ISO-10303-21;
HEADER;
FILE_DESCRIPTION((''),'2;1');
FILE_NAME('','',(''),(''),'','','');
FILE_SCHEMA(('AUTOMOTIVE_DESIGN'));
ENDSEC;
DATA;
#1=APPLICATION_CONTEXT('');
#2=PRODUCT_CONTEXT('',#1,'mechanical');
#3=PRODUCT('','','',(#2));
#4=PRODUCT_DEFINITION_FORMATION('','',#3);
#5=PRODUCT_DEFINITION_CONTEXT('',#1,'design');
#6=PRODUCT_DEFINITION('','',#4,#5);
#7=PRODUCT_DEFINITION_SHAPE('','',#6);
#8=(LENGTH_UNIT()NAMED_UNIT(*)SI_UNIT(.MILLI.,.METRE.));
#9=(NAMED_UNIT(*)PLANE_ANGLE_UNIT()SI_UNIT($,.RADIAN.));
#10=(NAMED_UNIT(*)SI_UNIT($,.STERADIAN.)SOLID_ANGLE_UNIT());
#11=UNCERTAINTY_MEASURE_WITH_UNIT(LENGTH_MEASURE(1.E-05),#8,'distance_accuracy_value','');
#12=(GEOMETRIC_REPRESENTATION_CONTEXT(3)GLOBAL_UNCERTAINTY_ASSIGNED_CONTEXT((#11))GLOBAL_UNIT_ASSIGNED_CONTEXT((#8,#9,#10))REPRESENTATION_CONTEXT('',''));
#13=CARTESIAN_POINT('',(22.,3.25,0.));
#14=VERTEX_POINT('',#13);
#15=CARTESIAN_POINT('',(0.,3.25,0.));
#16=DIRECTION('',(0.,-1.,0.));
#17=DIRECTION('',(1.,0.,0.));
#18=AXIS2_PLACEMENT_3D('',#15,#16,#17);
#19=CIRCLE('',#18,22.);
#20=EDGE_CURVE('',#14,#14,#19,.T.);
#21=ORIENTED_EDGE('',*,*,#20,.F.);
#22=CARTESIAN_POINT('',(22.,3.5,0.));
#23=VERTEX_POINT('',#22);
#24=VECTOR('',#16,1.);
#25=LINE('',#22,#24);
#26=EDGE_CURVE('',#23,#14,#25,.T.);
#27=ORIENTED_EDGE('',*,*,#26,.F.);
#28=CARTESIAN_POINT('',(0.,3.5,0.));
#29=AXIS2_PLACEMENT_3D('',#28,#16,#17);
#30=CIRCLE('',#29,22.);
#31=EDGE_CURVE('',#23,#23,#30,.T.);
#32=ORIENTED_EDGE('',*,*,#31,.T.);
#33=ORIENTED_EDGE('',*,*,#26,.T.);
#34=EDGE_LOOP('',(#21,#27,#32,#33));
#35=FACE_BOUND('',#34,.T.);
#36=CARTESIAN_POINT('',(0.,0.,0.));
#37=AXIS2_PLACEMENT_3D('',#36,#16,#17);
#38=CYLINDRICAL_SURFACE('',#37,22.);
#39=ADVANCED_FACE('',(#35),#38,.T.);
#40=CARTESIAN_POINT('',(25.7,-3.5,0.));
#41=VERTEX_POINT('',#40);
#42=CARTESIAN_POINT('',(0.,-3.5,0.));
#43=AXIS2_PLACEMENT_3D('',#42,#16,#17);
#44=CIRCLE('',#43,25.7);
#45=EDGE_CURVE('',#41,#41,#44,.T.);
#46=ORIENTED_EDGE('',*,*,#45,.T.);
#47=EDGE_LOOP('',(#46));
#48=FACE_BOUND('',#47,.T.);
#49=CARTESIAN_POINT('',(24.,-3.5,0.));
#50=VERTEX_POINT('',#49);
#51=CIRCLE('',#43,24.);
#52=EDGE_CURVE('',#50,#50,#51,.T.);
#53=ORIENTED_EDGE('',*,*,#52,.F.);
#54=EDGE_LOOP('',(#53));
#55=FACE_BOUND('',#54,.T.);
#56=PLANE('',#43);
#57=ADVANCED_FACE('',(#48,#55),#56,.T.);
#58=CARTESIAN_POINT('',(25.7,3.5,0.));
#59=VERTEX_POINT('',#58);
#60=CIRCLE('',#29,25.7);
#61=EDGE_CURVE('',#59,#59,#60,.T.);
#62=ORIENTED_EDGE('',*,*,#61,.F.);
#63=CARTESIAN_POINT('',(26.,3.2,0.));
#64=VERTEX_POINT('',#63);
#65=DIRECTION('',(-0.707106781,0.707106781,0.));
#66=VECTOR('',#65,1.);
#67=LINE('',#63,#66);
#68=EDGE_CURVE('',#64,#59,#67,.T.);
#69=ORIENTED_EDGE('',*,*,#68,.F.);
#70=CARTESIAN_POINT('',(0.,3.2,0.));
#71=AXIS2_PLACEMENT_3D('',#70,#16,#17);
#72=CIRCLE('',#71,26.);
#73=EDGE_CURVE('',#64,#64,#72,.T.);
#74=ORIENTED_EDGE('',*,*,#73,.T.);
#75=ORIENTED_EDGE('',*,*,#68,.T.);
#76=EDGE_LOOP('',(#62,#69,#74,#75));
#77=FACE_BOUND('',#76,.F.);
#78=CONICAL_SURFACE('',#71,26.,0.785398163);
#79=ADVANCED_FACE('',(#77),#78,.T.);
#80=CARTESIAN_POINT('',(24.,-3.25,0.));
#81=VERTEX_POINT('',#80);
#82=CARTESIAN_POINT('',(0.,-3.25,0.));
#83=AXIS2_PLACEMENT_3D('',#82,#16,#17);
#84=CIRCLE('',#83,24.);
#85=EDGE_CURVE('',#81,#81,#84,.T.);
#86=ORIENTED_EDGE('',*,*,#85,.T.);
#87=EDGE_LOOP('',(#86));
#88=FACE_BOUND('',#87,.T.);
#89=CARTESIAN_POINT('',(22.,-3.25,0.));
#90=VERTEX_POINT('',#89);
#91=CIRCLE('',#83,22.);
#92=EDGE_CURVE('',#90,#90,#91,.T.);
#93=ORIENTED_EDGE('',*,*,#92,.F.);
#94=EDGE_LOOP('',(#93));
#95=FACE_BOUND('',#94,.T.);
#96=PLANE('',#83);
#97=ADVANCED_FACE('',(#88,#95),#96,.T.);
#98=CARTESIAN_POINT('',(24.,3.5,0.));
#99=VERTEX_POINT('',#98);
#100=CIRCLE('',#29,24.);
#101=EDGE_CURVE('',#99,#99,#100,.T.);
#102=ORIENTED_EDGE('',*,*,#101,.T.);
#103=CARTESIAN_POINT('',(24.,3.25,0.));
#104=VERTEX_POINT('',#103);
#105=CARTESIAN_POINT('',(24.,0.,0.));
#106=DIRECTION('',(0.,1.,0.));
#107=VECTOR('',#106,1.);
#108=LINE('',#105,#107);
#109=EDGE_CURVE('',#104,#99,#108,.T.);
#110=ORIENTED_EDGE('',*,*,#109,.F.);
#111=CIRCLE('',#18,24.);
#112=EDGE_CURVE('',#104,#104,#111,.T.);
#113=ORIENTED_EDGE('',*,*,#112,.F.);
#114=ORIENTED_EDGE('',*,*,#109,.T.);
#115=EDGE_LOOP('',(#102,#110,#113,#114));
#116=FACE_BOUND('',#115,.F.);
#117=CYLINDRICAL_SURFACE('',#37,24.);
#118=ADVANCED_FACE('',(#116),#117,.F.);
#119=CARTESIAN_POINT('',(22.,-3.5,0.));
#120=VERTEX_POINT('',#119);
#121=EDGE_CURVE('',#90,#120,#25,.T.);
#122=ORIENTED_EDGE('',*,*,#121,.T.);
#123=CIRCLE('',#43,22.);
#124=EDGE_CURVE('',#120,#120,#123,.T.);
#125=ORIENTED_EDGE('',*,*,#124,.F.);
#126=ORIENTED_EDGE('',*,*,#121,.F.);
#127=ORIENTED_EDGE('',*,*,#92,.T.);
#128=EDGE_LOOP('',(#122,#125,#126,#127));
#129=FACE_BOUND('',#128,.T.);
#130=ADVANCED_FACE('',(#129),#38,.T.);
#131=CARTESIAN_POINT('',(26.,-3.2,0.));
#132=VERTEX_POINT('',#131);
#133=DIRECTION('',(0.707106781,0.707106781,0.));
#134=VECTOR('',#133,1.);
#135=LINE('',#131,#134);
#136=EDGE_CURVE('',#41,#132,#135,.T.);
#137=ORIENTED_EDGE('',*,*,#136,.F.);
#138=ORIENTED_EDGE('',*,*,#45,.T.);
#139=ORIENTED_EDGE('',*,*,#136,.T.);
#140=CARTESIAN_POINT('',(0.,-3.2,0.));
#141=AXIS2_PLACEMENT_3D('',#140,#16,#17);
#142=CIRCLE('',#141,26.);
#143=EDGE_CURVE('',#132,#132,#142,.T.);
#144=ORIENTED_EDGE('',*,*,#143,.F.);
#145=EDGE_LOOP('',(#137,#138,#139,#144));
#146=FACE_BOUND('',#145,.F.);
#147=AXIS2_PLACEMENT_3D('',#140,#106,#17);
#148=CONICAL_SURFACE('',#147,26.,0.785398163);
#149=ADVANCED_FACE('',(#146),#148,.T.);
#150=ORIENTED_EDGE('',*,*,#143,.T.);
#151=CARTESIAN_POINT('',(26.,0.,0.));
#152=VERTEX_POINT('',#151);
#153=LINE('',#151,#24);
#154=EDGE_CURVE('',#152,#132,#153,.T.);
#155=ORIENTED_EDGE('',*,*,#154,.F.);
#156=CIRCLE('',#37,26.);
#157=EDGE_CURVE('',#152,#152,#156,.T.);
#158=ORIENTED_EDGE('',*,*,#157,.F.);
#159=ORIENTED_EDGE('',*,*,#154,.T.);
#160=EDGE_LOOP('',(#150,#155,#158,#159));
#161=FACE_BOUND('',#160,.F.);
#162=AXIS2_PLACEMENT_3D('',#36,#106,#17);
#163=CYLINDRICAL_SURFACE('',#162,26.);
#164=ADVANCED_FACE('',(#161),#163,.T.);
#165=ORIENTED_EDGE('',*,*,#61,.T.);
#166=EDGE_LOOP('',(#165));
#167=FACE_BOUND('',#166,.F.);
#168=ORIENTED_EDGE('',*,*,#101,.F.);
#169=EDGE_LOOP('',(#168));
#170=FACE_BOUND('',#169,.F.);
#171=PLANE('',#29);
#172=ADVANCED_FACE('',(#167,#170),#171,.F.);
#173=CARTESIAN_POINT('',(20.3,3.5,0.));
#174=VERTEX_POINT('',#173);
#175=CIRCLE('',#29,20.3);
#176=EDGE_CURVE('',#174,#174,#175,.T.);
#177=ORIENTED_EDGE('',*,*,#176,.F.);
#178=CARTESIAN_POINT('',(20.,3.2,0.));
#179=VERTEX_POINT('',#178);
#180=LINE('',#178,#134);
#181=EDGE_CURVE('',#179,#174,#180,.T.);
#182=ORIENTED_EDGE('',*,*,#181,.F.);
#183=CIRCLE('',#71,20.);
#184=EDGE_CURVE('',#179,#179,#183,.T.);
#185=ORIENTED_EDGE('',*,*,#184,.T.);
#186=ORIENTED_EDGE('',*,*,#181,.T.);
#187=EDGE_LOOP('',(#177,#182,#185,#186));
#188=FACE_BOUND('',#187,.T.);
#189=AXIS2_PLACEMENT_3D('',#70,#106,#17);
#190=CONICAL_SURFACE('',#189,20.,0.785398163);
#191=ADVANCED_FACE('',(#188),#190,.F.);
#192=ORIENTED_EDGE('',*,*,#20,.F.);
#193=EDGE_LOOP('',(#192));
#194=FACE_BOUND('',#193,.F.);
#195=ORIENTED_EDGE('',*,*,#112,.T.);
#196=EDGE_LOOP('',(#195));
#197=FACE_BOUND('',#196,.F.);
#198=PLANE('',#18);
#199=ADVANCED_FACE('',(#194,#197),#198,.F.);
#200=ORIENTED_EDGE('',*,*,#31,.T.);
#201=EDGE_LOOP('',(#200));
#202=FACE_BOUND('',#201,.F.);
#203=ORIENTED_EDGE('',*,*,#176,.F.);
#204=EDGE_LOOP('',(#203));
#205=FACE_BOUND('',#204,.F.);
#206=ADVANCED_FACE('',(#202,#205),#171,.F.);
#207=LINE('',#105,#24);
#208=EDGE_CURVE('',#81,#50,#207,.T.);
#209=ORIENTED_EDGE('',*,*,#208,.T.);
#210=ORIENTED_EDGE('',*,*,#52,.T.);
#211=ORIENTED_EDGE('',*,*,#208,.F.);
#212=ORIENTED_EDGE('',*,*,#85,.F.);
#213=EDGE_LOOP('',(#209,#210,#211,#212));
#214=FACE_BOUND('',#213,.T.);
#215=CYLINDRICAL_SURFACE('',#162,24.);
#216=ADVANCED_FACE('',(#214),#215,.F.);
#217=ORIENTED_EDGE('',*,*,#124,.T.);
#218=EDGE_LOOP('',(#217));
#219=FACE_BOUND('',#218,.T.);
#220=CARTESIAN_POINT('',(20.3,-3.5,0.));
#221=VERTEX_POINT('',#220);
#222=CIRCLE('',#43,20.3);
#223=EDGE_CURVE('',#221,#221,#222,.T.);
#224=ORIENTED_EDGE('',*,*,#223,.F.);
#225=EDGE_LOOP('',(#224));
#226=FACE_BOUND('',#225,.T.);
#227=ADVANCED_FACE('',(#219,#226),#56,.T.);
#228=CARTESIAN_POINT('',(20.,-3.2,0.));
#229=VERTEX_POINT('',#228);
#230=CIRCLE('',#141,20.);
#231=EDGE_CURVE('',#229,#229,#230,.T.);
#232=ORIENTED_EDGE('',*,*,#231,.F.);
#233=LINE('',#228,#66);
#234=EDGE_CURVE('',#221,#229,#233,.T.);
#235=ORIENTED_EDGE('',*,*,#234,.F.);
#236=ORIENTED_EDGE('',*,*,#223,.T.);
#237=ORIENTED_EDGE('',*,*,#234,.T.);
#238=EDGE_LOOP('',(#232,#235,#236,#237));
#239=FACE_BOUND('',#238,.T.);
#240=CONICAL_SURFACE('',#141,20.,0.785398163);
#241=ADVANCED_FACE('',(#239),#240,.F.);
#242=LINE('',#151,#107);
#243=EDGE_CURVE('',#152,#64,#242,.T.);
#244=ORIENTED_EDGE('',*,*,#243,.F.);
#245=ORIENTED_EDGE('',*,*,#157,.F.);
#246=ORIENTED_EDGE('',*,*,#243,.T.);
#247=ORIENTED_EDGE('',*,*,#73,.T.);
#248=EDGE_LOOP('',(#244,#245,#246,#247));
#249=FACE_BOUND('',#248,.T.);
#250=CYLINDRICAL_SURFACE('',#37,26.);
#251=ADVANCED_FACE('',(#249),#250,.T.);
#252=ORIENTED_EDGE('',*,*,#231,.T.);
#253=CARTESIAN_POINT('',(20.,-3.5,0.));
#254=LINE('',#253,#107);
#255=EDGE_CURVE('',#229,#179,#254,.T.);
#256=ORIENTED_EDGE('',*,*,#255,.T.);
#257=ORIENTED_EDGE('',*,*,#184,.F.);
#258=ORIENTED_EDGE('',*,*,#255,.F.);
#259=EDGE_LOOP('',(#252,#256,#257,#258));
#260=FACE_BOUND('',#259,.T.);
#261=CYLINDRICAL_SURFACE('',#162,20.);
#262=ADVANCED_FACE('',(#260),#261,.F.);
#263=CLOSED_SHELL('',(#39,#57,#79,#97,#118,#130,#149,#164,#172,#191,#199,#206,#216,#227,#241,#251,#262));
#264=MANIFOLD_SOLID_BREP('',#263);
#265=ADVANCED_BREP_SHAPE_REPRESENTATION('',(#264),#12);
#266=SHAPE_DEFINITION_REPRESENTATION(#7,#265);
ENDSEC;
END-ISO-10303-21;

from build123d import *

# Parameters (mm, degrees)
F0_R     = 26
F0_R_2   = 24
F0_R_3   = 22
F0_R_4   = 20
F1_DEPTH = 3.5
F2_DEPTH = 3.25
F3_SIZE  = 0.3


with BuildPart() as f1:
    # F0 (on Front) → F1 (new body, symmetric)
    with BuildSketch(Plane.XZ):
        Circle(F0_R)
        Circle(F0_R_2, mode=Mode.SUBTRACT)
        Circle(F0_R_3)
        Circle(F0_R_4, mode=Mode.SUBTRACT)
    extrude(amount=F1_DEPTH, both=True)

    # F0 (on Front) → F2 (join, symmetric)
    with BuildSketch(Plane.XZ):
        Circle(F0_R_2)
        Circle(F0_R_3, mode=Mode.SUBTRACT)
    extrude(amount=F2_DEPTH, both=True)

    # F3
    f3_edges = [f1.edges().sort_by_distance(p)[0] for p in [
        (-26, -3.5, 0),
        (-26, 3.5, 0),
        (-20, -3.5, 0),
        (-20, 3.5, 0),
    ]]
    chamfer(f3_edges, length=F3_SIZE)


solid = f1.part
